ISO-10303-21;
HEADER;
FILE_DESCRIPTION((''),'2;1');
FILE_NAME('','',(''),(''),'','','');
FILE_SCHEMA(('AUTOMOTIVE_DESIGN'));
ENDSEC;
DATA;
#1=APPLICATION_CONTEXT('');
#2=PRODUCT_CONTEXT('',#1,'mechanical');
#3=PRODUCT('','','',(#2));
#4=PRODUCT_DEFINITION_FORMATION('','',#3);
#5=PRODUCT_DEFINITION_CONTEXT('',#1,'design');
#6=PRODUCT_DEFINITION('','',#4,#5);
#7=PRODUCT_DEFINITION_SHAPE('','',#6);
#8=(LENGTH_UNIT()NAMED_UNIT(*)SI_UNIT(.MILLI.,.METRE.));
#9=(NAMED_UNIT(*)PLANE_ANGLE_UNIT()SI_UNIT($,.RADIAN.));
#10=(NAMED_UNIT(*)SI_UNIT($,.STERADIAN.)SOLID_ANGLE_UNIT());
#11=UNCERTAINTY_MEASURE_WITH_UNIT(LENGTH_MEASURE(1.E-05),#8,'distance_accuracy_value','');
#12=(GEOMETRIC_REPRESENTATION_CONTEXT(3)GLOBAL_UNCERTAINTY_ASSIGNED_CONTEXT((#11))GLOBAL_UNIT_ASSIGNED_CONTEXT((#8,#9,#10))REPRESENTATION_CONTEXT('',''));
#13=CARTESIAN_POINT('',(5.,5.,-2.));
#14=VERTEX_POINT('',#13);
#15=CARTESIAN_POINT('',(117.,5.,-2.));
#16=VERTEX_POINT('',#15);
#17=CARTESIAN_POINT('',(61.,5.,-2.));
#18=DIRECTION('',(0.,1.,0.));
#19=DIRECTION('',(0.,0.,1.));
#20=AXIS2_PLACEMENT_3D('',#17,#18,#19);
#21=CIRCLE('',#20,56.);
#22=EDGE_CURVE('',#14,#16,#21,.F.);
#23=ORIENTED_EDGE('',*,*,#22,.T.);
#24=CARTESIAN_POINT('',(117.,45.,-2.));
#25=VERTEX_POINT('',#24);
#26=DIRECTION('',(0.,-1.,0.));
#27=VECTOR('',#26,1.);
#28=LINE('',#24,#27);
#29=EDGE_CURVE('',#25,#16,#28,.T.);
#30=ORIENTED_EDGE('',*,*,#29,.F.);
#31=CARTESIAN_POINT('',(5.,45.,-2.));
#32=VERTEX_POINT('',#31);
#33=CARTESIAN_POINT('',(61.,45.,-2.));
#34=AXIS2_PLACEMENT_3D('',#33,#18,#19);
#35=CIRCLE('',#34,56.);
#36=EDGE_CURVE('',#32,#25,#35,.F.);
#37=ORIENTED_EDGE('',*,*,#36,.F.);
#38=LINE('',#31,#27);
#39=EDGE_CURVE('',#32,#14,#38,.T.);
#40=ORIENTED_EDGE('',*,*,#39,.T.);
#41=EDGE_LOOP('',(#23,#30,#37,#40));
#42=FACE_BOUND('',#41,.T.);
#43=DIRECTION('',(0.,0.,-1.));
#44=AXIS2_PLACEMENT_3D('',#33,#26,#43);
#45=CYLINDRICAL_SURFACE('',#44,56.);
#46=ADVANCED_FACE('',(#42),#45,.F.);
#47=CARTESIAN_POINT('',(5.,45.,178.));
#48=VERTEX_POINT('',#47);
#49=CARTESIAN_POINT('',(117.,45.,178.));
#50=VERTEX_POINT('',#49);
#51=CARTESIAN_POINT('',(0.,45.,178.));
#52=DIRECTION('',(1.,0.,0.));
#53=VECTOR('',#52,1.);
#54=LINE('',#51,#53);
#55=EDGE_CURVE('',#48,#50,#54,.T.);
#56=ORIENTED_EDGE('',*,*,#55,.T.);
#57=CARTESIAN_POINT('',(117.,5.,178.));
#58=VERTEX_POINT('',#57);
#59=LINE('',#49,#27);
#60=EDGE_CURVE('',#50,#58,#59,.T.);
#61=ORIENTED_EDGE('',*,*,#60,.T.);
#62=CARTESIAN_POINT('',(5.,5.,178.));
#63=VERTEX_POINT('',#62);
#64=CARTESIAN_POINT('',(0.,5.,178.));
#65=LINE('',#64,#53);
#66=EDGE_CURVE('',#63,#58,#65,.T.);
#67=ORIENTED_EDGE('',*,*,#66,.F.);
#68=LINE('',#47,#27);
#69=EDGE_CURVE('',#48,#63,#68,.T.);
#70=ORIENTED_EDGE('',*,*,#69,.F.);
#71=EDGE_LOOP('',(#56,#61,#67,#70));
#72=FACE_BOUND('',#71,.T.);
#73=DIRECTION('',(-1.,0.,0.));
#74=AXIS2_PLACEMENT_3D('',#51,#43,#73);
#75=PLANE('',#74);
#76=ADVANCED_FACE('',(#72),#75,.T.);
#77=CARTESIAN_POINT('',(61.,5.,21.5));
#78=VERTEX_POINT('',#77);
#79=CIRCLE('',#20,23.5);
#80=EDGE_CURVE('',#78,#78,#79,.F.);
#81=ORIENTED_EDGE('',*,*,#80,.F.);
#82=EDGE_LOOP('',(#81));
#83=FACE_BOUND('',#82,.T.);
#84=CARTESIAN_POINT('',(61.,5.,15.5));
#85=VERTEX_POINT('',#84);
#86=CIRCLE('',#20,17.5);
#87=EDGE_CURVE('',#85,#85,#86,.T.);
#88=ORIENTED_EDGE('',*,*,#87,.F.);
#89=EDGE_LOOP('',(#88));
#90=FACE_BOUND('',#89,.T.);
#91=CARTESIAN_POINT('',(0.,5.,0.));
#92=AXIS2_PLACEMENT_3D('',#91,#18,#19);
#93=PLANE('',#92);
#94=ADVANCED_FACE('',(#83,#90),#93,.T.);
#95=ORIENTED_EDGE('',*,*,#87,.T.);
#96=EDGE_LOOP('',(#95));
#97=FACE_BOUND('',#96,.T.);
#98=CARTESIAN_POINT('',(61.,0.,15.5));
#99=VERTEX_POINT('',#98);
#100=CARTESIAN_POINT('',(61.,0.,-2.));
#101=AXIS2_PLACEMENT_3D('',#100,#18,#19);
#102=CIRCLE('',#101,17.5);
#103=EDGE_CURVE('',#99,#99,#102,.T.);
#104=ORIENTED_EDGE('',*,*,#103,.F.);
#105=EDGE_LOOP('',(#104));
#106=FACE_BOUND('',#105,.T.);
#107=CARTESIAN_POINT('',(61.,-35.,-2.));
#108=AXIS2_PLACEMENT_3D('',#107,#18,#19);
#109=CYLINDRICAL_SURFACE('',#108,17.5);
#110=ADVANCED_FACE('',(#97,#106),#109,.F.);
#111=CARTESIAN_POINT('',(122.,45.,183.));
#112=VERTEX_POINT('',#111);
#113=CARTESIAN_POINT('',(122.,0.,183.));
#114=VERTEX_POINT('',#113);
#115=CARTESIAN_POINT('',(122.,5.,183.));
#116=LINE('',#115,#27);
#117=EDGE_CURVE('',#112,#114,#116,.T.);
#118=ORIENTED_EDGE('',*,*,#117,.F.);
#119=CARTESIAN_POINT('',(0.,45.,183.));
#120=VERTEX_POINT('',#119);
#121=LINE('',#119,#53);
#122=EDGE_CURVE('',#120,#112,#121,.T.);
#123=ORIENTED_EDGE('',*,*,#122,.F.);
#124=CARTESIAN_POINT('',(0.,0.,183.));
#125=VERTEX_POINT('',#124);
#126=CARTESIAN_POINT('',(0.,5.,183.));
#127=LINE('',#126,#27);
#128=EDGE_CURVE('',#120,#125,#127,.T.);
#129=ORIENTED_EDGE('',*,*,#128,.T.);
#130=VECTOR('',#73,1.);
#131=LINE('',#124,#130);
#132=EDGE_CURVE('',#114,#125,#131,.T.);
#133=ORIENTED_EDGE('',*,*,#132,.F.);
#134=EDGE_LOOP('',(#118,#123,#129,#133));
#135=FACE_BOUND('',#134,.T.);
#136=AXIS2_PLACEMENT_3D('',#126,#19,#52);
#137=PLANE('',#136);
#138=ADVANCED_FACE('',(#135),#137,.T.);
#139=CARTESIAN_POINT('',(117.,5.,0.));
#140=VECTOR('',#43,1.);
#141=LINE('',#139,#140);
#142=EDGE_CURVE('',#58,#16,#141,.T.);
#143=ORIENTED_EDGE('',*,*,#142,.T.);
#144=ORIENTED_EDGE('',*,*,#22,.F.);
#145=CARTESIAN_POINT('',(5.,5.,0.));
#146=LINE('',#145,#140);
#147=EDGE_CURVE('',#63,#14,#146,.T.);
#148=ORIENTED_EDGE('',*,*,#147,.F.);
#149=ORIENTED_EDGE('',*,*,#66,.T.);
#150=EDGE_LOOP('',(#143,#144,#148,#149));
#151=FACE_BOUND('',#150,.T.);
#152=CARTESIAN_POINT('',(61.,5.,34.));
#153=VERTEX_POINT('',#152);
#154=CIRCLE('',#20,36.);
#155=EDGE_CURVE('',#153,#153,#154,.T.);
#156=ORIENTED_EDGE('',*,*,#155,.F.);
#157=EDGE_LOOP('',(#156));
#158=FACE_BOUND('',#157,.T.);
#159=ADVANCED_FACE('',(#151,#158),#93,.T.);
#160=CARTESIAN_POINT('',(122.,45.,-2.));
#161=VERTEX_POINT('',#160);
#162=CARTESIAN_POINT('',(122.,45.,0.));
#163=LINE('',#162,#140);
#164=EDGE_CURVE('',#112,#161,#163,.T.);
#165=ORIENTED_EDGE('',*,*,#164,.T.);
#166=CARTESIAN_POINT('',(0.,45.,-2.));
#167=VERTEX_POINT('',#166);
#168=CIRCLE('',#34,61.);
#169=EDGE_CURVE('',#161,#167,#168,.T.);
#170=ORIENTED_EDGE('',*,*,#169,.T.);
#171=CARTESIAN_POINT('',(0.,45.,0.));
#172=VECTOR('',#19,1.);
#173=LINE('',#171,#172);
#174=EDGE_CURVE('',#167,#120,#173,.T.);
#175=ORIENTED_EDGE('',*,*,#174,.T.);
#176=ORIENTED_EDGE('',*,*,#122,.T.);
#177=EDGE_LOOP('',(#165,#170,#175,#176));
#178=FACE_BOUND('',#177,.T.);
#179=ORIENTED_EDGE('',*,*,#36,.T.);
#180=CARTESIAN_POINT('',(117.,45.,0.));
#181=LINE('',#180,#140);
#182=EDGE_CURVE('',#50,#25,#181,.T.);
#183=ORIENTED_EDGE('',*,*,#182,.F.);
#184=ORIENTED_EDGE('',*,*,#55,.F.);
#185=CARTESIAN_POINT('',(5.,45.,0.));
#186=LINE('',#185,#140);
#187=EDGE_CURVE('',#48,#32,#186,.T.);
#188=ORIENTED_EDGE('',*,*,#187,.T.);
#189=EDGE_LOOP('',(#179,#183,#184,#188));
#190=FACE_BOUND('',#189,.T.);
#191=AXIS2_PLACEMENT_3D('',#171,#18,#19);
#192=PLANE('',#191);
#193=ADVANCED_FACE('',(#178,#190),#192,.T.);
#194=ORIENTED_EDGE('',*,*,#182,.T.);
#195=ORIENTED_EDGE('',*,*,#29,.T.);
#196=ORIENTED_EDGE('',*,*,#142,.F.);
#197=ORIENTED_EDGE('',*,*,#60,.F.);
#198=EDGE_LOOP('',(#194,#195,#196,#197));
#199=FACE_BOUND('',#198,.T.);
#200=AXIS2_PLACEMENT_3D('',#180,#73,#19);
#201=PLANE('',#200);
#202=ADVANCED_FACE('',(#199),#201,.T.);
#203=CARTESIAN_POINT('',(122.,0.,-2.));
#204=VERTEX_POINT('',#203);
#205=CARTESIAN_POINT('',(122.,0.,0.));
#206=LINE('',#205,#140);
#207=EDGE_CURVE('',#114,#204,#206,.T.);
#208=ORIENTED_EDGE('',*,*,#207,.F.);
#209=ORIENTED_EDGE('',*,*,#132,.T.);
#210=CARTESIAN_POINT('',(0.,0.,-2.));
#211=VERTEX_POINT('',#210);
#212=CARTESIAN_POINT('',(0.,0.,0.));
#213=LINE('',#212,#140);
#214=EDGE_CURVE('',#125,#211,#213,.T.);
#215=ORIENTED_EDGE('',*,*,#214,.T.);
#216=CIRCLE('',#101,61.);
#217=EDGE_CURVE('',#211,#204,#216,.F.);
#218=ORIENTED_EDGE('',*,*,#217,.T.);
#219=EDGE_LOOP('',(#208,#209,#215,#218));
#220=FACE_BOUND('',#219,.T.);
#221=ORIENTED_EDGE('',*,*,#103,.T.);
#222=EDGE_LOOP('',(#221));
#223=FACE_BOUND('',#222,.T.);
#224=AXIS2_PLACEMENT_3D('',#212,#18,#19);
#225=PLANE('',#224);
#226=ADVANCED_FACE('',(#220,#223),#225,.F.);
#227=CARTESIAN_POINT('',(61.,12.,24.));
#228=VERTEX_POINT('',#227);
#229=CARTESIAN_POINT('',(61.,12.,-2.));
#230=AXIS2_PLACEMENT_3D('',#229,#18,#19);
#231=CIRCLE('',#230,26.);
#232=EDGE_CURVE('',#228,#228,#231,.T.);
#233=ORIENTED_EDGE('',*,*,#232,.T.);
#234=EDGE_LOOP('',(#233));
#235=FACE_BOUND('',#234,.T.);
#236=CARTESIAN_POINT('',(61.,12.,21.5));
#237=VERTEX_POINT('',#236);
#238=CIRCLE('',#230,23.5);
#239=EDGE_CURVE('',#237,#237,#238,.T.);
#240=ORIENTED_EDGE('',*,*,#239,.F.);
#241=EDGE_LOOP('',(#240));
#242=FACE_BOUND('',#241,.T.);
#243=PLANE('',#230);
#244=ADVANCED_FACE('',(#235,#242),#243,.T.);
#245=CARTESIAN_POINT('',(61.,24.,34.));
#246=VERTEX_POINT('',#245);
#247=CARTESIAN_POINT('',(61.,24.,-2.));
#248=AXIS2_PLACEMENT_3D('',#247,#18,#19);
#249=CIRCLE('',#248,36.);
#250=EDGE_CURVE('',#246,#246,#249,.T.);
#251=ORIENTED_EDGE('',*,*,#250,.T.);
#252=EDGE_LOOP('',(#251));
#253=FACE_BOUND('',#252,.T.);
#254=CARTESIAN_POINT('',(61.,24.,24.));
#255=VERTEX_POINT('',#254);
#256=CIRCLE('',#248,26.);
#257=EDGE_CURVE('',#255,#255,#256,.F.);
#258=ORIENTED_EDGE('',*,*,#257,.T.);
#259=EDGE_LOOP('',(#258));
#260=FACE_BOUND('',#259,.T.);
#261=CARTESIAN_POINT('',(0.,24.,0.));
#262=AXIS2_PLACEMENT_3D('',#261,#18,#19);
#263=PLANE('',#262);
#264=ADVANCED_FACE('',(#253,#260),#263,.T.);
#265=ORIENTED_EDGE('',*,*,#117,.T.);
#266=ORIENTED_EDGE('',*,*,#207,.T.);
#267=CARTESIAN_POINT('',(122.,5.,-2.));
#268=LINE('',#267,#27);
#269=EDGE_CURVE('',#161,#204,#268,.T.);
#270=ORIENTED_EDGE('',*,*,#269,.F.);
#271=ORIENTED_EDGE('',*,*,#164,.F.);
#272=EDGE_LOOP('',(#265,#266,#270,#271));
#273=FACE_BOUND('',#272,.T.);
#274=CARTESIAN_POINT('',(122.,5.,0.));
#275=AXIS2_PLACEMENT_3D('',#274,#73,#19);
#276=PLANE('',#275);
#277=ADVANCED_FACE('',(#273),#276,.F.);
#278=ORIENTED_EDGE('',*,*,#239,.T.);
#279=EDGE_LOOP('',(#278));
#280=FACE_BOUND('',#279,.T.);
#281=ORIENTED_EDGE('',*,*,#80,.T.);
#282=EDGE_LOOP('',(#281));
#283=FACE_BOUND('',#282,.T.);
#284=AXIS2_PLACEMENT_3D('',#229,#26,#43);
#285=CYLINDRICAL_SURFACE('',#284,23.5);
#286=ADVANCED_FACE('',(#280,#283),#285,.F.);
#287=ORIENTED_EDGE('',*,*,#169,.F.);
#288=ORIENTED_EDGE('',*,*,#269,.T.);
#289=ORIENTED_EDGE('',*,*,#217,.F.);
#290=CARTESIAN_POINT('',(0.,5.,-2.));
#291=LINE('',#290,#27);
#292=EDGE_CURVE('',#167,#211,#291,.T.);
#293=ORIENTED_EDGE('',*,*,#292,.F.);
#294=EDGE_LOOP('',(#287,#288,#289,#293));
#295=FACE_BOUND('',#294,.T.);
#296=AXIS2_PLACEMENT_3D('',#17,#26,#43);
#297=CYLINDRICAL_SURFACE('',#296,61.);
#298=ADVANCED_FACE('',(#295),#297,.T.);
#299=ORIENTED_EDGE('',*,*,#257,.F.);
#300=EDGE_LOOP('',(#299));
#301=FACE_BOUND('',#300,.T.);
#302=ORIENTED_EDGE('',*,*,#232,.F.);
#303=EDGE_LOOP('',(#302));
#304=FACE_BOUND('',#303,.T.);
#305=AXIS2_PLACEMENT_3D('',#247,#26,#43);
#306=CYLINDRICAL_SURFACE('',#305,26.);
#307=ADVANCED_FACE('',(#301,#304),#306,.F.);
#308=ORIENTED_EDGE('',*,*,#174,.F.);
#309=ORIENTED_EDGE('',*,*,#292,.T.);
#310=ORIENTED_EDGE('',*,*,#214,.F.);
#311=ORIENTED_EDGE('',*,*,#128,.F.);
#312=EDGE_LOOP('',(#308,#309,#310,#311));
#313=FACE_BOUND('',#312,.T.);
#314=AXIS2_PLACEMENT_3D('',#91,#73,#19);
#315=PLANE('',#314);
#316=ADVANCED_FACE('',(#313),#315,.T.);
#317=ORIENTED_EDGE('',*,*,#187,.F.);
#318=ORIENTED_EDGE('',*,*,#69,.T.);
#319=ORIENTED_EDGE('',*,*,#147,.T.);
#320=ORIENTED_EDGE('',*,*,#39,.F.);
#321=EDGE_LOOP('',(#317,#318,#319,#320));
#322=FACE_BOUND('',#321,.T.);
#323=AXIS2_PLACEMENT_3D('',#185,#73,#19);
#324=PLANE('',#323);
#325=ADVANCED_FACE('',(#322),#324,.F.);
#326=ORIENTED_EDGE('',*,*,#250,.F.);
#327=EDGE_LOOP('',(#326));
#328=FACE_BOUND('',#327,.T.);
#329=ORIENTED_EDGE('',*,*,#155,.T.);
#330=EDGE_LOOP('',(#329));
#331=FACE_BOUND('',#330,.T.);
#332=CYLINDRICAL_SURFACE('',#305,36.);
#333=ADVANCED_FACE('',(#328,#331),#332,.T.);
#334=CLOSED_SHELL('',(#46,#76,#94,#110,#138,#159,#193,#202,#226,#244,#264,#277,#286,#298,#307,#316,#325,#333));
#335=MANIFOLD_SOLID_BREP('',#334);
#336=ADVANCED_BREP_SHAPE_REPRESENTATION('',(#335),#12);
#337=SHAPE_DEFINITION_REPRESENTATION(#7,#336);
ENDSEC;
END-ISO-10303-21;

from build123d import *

# Parameters (mm, degrees)
BOSS_EXTRUDE2_DEPTH = 5
BOSS_EXTRUDE3_DEPTH = 40
SKETCH4_R           = 17.5
CUT_EXTRUDE1_DEPTH  = 40
SKETCH5_R           = 26
SKETCH5_R_2         = 23.5
BOSS_EXTRUDE4_DEPTH = 7
SKETCH6_R           = 36
SKETCH6_R_2         = 26
BOSS_EXTRUDE5_DEPTH = 19


with BuildPart() as part:
    # Sketch1 → Boss-Extrude2 (new body)
    with BuildSketch(Plane(origin=(0, 0, 0), x_dir=(1, 0, 0), z_dir=(0, 1, 0))):
        with BuildLine():
            Line((122, -183), (0, -183))
            Line((0, -183), (0, 2))
            ThreePointArc((0, 2), (61, 63), (122, 2))
            Line((122, 2), (122, -183))
        make_face()
    extrude(amount=BOSS_EXTRUDE2_DEPTH)

    # Sketch3 → Boss-Extrude3 (add)
    with BuildSketch(Plane(origin=(0, 5, 0), x_dir=(1, 0, 0), z_dir=(0, 1, 0))):
        with BuildLine():
            Line((122, -183), (122, 2))
            ThreePointArc((122, 2), (61, 63), (0, 2))
            Line((0, 2), (0, -183))
            Line((0, -183), (122, -183))
        make_face()
        with BuildLine():
            Line((5, -178), (5, 2))
            ThreePointArc((5, 2), (61, 58), (117, 2))
            Line((117, 2), (117, -178))
            Line((117, -178), (5, -178))
        make_face(mode=Mode.SUBTRACT)
    extrude(amount=BOSS_EXTRUDE3_DEPTH)

    # Sketch4 → Cut-Extrude1 (cut)
    with BuildSketch(Plane(origin=(0, 5, 0), x_dir=(1, 0, 0), z_dir=(0, 1, 0))):
        with Locations(Location((61, 2, 0), (0, 0, 270))):
            Circle(SKETCH4_R)
    extrude(amount=-CUT_EXTRUDE1_DEPTH, mode=Mode.SUBTRACT)

    # Sketch5 → Boss-Extrude4 (add)
    with BuildSketch(Plane(origin=(0, 5, 0), x_dir=(1, 0, 0), z_dir=(0, 1, 0))):
        with Locations(Location((61, 2, 0), (0, 0, 270))):
            Circle(SKETCH5_R)
        with Locations(Location((61, 2, 0), (0, 0, 270))):
            Circle(SKETCH5_R_2, mode=Mode.SUBTRACT)
    extrude(amount=BOSS_EXTRUDE4_DEPTH)

    # Sketch6 → Boss-Extrude5 (add)
    with BuildSketch(Plane(origin=(0, 5, 0), x_dir=(1, 0, 0), z_dir=(0, 1, 0))):
        with Locations(Location((61, 2, 0), (0, 0, 270))):
            Circle(SKETCH6_R)
        with Locations(Location((61, 2, 0), (0, 0, 270))):
            Circle(SKETCH6_R_2, mode=Mode.SUBTRACT)
    extrude(amount=BOSS_EXTRUDE5_DEPTH)


solid = part.part
